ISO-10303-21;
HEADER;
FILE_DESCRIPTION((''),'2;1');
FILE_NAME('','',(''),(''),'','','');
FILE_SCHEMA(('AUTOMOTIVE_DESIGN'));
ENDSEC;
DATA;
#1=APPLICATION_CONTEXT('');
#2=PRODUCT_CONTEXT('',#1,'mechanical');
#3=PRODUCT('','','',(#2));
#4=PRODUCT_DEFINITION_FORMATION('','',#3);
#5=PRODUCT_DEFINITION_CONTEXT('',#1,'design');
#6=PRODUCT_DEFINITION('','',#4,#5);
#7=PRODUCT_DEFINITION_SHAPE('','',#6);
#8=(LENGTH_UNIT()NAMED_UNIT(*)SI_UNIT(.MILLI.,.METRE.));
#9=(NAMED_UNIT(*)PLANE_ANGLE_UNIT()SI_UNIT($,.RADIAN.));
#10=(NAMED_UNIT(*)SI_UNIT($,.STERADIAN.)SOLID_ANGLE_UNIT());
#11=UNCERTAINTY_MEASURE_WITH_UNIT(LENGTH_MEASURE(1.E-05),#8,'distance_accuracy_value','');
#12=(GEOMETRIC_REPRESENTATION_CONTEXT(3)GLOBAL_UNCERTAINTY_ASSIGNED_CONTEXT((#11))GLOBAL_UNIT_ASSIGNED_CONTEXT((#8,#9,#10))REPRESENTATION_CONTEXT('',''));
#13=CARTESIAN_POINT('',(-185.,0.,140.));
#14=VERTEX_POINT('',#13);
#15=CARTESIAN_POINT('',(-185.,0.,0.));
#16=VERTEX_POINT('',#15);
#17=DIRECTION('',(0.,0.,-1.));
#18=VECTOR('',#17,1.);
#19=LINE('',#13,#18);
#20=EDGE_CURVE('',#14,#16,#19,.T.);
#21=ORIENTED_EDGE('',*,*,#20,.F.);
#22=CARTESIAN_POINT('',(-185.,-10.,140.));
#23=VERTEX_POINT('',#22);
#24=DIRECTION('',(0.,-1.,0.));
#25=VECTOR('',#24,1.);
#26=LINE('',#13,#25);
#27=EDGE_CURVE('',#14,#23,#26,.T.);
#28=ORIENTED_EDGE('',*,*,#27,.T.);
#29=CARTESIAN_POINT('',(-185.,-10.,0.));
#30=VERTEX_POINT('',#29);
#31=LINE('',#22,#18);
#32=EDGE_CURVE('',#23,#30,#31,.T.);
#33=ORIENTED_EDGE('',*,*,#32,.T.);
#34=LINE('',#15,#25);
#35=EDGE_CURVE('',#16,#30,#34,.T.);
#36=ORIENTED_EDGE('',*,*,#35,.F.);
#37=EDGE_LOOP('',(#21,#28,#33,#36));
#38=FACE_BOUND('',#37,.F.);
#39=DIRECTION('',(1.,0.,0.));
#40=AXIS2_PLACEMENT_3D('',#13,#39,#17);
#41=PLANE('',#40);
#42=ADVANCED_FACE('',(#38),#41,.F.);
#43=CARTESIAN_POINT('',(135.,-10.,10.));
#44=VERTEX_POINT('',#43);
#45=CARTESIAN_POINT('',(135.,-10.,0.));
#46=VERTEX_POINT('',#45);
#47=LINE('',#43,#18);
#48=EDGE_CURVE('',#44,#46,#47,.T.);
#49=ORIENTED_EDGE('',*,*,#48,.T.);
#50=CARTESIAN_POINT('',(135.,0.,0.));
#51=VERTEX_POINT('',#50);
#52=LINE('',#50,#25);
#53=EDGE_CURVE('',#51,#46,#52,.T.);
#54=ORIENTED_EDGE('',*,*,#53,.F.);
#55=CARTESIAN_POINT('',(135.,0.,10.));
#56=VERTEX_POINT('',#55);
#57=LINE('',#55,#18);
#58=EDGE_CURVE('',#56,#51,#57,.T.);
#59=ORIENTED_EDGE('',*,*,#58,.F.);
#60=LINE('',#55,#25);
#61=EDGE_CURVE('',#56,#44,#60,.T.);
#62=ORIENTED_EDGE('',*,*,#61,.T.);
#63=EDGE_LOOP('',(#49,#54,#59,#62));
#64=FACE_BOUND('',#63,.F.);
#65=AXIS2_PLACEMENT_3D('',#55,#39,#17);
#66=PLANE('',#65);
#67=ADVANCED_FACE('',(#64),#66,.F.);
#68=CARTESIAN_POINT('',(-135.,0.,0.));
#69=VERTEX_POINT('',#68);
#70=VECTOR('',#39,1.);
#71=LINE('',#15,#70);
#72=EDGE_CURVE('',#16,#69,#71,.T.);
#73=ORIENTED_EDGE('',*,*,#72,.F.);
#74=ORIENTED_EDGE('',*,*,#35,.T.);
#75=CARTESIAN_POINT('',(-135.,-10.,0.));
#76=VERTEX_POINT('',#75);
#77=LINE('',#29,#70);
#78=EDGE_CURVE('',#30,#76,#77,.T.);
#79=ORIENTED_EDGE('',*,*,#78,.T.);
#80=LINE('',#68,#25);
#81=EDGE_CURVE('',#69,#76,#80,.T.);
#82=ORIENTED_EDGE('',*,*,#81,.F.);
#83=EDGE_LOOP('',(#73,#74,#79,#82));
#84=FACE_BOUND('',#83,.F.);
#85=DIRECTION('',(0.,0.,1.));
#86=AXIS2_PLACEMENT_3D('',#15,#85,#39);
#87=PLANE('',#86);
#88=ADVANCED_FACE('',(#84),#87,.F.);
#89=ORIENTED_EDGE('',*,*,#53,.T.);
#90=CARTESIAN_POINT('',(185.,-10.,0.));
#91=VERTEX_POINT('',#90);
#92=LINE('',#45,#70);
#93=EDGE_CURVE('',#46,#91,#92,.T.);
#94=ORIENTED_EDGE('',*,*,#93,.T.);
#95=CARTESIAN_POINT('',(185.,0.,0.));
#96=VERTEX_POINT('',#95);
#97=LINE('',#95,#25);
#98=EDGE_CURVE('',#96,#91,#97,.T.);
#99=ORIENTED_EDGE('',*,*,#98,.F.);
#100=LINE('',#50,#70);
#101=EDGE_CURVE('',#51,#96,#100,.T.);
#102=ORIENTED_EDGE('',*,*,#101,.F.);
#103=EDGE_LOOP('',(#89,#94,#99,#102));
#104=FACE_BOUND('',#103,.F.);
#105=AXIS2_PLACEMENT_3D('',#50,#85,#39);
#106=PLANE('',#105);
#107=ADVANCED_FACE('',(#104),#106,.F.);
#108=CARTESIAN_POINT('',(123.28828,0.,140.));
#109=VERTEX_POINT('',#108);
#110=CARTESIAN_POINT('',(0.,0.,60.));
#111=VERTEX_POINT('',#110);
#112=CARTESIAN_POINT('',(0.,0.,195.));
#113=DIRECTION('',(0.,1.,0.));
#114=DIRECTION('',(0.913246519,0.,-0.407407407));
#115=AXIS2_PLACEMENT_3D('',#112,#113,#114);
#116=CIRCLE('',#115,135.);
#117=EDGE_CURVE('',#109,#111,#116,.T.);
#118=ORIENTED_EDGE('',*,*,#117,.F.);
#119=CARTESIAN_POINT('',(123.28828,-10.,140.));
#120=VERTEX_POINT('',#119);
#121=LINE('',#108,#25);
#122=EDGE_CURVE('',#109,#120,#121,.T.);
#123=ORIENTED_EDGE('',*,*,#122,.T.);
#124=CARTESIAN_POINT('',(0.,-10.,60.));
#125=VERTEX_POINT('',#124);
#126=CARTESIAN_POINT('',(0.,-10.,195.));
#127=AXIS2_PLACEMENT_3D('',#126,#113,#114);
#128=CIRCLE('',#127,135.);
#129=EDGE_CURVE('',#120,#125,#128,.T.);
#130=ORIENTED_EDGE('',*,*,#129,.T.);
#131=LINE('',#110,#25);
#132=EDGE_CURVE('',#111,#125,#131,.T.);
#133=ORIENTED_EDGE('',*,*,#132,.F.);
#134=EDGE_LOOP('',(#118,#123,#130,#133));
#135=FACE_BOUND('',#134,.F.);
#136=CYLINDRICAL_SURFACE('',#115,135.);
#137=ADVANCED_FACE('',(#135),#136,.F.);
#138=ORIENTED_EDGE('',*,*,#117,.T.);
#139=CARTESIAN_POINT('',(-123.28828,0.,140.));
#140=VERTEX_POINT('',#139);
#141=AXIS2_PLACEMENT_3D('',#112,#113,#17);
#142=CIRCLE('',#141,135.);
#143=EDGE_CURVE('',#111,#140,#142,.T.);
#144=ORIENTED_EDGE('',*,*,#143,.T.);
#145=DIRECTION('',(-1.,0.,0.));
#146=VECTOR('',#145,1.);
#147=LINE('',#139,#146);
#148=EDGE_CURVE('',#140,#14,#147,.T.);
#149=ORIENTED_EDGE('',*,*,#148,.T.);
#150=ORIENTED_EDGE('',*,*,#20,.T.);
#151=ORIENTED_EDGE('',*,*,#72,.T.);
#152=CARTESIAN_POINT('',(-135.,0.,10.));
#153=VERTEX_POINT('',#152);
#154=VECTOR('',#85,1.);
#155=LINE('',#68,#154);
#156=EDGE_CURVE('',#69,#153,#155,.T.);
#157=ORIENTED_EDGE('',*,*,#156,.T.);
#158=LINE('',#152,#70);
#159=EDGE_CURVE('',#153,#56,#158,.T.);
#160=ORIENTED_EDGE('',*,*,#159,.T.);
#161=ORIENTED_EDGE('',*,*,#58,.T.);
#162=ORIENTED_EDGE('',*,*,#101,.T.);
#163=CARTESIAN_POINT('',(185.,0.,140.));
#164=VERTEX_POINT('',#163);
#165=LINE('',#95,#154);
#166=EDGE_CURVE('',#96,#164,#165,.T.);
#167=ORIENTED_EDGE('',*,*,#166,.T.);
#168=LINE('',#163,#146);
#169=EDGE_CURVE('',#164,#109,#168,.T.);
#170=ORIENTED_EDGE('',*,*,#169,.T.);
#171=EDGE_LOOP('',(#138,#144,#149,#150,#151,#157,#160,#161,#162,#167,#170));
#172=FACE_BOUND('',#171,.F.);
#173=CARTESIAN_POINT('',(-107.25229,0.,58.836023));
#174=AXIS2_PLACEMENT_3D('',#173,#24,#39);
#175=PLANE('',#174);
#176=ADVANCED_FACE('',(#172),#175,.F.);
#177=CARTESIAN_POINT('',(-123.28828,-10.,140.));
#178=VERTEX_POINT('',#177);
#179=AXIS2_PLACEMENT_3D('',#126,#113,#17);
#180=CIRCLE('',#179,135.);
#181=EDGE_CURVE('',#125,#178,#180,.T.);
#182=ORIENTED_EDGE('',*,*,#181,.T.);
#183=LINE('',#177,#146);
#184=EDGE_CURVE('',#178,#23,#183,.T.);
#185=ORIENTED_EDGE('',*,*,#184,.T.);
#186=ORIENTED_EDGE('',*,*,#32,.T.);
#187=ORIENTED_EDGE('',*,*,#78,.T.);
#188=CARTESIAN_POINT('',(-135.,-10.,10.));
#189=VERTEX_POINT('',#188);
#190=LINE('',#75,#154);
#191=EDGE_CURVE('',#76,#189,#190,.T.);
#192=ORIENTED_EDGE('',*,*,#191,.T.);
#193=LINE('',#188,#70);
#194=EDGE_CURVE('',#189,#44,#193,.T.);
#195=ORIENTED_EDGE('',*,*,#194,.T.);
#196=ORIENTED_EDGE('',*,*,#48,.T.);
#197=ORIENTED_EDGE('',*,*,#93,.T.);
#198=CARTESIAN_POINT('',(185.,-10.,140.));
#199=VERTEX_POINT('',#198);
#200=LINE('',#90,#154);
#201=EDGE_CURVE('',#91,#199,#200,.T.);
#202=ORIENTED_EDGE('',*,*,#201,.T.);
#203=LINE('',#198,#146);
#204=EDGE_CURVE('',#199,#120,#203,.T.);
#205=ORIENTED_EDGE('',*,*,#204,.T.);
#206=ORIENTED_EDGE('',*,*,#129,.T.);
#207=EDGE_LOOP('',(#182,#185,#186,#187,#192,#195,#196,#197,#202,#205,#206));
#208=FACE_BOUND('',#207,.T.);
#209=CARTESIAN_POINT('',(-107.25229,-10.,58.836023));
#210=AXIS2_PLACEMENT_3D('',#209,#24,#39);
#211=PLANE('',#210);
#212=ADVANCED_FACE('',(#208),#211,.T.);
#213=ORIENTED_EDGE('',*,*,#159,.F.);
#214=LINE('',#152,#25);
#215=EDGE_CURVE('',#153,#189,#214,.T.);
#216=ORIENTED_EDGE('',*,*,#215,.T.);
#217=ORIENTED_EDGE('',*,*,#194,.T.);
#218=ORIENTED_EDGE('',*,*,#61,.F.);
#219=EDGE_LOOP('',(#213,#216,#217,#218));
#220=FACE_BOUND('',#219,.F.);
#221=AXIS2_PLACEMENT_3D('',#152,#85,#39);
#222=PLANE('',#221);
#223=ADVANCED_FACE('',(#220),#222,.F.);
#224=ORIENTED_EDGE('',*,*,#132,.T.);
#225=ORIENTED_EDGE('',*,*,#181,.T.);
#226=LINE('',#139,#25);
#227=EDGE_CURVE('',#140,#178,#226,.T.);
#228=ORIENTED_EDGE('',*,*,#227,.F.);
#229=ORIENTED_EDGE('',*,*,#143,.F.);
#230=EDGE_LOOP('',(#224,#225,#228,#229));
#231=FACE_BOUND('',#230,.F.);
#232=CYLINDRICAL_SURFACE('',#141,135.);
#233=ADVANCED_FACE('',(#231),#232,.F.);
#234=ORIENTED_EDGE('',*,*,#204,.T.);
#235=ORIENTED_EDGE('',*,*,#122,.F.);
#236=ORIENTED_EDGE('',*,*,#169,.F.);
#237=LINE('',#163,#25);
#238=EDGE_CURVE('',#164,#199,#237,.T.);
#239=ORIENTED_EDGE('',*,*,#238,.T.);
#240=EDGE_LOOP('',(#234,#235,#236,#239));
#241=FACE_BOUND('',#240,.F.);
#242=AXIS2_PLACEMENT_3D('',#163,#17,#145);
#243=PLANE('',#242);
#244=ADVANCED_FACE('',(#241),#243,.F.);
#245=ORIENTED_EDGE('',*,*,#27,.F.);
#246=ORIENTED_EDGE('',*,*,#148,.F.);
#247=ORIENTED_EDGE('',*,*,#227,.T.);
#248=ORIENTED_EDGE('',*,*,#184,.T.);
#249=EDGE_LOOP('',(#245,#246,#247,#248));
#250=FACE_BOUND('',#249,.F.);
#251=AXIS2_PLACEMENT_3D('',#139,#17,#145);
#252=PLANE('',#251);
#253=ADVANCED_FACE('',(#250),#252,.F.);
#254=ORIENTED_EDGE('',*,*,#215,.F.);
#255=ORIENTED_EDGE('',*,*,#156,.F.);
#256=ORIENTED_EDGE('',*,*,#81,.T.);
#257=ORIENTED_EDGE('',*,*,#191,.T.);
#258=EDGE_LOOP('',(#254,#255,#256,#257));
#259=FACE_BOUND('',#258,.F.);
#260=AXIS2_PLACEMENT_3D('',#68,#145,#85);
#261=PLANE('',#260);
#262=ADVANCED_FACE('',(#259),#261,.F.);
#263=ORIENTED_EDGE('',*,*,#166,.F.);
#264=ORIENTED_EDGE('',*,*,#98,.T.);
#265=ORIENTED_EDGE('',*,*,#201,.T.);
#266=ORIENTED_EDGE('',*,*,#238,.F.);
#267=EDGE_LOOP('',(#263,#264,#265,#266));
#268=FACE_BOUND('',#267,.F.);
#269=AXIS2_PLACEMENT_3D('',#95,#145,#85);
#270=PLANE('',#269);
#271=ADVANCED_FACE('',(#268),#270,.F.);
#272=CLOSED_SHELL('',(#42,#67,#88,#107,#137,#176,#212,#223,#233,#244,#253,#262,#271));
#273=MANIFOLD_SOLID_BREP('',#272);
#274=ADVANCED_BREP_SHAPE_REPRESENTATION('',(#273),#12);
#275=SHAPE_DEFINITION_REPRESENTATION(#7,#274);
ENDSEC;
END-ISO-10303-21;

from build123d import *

# Parameters (mm, degrees)
F1_DEPTH = 10


with BuildPart() as f1:
    # F0 (on Front) → F1 (new body)
    with BuildSketch(Plane.XZ):
        with BuildLine():
            Line((-135, 10), (0, 10))
            Line((0, 10), (0, 60))
            ThreePointArc((0, 60), (-73.4846922835, 81.7524834709), (-123.2882800594, 140))
            Line((-123.2882800594, 140), (-185, 140))
            Line((-185, 140), (-185, 0))
            Line((-185, 0), (-135, 0))
            Line((-135, 0), (-135, 10))
        make_face()
        with BuildLine():
            Line((135, 10), (135, 0))
            Line((135, 0), (185, 0))
            Line((185, 0), (185, 140))
            Line((185, 140), (123.2882800594, 140))
            ThreePointArc((123.2882800594, 140), (73.4846922835, 81.7524834709), (0, 60))
            Line((0, 60), (0, 10))
            Line((0, 10), (135, 10))
        make_face()
    extrude(amount=F1_DEPTH)


solid = f1.part
